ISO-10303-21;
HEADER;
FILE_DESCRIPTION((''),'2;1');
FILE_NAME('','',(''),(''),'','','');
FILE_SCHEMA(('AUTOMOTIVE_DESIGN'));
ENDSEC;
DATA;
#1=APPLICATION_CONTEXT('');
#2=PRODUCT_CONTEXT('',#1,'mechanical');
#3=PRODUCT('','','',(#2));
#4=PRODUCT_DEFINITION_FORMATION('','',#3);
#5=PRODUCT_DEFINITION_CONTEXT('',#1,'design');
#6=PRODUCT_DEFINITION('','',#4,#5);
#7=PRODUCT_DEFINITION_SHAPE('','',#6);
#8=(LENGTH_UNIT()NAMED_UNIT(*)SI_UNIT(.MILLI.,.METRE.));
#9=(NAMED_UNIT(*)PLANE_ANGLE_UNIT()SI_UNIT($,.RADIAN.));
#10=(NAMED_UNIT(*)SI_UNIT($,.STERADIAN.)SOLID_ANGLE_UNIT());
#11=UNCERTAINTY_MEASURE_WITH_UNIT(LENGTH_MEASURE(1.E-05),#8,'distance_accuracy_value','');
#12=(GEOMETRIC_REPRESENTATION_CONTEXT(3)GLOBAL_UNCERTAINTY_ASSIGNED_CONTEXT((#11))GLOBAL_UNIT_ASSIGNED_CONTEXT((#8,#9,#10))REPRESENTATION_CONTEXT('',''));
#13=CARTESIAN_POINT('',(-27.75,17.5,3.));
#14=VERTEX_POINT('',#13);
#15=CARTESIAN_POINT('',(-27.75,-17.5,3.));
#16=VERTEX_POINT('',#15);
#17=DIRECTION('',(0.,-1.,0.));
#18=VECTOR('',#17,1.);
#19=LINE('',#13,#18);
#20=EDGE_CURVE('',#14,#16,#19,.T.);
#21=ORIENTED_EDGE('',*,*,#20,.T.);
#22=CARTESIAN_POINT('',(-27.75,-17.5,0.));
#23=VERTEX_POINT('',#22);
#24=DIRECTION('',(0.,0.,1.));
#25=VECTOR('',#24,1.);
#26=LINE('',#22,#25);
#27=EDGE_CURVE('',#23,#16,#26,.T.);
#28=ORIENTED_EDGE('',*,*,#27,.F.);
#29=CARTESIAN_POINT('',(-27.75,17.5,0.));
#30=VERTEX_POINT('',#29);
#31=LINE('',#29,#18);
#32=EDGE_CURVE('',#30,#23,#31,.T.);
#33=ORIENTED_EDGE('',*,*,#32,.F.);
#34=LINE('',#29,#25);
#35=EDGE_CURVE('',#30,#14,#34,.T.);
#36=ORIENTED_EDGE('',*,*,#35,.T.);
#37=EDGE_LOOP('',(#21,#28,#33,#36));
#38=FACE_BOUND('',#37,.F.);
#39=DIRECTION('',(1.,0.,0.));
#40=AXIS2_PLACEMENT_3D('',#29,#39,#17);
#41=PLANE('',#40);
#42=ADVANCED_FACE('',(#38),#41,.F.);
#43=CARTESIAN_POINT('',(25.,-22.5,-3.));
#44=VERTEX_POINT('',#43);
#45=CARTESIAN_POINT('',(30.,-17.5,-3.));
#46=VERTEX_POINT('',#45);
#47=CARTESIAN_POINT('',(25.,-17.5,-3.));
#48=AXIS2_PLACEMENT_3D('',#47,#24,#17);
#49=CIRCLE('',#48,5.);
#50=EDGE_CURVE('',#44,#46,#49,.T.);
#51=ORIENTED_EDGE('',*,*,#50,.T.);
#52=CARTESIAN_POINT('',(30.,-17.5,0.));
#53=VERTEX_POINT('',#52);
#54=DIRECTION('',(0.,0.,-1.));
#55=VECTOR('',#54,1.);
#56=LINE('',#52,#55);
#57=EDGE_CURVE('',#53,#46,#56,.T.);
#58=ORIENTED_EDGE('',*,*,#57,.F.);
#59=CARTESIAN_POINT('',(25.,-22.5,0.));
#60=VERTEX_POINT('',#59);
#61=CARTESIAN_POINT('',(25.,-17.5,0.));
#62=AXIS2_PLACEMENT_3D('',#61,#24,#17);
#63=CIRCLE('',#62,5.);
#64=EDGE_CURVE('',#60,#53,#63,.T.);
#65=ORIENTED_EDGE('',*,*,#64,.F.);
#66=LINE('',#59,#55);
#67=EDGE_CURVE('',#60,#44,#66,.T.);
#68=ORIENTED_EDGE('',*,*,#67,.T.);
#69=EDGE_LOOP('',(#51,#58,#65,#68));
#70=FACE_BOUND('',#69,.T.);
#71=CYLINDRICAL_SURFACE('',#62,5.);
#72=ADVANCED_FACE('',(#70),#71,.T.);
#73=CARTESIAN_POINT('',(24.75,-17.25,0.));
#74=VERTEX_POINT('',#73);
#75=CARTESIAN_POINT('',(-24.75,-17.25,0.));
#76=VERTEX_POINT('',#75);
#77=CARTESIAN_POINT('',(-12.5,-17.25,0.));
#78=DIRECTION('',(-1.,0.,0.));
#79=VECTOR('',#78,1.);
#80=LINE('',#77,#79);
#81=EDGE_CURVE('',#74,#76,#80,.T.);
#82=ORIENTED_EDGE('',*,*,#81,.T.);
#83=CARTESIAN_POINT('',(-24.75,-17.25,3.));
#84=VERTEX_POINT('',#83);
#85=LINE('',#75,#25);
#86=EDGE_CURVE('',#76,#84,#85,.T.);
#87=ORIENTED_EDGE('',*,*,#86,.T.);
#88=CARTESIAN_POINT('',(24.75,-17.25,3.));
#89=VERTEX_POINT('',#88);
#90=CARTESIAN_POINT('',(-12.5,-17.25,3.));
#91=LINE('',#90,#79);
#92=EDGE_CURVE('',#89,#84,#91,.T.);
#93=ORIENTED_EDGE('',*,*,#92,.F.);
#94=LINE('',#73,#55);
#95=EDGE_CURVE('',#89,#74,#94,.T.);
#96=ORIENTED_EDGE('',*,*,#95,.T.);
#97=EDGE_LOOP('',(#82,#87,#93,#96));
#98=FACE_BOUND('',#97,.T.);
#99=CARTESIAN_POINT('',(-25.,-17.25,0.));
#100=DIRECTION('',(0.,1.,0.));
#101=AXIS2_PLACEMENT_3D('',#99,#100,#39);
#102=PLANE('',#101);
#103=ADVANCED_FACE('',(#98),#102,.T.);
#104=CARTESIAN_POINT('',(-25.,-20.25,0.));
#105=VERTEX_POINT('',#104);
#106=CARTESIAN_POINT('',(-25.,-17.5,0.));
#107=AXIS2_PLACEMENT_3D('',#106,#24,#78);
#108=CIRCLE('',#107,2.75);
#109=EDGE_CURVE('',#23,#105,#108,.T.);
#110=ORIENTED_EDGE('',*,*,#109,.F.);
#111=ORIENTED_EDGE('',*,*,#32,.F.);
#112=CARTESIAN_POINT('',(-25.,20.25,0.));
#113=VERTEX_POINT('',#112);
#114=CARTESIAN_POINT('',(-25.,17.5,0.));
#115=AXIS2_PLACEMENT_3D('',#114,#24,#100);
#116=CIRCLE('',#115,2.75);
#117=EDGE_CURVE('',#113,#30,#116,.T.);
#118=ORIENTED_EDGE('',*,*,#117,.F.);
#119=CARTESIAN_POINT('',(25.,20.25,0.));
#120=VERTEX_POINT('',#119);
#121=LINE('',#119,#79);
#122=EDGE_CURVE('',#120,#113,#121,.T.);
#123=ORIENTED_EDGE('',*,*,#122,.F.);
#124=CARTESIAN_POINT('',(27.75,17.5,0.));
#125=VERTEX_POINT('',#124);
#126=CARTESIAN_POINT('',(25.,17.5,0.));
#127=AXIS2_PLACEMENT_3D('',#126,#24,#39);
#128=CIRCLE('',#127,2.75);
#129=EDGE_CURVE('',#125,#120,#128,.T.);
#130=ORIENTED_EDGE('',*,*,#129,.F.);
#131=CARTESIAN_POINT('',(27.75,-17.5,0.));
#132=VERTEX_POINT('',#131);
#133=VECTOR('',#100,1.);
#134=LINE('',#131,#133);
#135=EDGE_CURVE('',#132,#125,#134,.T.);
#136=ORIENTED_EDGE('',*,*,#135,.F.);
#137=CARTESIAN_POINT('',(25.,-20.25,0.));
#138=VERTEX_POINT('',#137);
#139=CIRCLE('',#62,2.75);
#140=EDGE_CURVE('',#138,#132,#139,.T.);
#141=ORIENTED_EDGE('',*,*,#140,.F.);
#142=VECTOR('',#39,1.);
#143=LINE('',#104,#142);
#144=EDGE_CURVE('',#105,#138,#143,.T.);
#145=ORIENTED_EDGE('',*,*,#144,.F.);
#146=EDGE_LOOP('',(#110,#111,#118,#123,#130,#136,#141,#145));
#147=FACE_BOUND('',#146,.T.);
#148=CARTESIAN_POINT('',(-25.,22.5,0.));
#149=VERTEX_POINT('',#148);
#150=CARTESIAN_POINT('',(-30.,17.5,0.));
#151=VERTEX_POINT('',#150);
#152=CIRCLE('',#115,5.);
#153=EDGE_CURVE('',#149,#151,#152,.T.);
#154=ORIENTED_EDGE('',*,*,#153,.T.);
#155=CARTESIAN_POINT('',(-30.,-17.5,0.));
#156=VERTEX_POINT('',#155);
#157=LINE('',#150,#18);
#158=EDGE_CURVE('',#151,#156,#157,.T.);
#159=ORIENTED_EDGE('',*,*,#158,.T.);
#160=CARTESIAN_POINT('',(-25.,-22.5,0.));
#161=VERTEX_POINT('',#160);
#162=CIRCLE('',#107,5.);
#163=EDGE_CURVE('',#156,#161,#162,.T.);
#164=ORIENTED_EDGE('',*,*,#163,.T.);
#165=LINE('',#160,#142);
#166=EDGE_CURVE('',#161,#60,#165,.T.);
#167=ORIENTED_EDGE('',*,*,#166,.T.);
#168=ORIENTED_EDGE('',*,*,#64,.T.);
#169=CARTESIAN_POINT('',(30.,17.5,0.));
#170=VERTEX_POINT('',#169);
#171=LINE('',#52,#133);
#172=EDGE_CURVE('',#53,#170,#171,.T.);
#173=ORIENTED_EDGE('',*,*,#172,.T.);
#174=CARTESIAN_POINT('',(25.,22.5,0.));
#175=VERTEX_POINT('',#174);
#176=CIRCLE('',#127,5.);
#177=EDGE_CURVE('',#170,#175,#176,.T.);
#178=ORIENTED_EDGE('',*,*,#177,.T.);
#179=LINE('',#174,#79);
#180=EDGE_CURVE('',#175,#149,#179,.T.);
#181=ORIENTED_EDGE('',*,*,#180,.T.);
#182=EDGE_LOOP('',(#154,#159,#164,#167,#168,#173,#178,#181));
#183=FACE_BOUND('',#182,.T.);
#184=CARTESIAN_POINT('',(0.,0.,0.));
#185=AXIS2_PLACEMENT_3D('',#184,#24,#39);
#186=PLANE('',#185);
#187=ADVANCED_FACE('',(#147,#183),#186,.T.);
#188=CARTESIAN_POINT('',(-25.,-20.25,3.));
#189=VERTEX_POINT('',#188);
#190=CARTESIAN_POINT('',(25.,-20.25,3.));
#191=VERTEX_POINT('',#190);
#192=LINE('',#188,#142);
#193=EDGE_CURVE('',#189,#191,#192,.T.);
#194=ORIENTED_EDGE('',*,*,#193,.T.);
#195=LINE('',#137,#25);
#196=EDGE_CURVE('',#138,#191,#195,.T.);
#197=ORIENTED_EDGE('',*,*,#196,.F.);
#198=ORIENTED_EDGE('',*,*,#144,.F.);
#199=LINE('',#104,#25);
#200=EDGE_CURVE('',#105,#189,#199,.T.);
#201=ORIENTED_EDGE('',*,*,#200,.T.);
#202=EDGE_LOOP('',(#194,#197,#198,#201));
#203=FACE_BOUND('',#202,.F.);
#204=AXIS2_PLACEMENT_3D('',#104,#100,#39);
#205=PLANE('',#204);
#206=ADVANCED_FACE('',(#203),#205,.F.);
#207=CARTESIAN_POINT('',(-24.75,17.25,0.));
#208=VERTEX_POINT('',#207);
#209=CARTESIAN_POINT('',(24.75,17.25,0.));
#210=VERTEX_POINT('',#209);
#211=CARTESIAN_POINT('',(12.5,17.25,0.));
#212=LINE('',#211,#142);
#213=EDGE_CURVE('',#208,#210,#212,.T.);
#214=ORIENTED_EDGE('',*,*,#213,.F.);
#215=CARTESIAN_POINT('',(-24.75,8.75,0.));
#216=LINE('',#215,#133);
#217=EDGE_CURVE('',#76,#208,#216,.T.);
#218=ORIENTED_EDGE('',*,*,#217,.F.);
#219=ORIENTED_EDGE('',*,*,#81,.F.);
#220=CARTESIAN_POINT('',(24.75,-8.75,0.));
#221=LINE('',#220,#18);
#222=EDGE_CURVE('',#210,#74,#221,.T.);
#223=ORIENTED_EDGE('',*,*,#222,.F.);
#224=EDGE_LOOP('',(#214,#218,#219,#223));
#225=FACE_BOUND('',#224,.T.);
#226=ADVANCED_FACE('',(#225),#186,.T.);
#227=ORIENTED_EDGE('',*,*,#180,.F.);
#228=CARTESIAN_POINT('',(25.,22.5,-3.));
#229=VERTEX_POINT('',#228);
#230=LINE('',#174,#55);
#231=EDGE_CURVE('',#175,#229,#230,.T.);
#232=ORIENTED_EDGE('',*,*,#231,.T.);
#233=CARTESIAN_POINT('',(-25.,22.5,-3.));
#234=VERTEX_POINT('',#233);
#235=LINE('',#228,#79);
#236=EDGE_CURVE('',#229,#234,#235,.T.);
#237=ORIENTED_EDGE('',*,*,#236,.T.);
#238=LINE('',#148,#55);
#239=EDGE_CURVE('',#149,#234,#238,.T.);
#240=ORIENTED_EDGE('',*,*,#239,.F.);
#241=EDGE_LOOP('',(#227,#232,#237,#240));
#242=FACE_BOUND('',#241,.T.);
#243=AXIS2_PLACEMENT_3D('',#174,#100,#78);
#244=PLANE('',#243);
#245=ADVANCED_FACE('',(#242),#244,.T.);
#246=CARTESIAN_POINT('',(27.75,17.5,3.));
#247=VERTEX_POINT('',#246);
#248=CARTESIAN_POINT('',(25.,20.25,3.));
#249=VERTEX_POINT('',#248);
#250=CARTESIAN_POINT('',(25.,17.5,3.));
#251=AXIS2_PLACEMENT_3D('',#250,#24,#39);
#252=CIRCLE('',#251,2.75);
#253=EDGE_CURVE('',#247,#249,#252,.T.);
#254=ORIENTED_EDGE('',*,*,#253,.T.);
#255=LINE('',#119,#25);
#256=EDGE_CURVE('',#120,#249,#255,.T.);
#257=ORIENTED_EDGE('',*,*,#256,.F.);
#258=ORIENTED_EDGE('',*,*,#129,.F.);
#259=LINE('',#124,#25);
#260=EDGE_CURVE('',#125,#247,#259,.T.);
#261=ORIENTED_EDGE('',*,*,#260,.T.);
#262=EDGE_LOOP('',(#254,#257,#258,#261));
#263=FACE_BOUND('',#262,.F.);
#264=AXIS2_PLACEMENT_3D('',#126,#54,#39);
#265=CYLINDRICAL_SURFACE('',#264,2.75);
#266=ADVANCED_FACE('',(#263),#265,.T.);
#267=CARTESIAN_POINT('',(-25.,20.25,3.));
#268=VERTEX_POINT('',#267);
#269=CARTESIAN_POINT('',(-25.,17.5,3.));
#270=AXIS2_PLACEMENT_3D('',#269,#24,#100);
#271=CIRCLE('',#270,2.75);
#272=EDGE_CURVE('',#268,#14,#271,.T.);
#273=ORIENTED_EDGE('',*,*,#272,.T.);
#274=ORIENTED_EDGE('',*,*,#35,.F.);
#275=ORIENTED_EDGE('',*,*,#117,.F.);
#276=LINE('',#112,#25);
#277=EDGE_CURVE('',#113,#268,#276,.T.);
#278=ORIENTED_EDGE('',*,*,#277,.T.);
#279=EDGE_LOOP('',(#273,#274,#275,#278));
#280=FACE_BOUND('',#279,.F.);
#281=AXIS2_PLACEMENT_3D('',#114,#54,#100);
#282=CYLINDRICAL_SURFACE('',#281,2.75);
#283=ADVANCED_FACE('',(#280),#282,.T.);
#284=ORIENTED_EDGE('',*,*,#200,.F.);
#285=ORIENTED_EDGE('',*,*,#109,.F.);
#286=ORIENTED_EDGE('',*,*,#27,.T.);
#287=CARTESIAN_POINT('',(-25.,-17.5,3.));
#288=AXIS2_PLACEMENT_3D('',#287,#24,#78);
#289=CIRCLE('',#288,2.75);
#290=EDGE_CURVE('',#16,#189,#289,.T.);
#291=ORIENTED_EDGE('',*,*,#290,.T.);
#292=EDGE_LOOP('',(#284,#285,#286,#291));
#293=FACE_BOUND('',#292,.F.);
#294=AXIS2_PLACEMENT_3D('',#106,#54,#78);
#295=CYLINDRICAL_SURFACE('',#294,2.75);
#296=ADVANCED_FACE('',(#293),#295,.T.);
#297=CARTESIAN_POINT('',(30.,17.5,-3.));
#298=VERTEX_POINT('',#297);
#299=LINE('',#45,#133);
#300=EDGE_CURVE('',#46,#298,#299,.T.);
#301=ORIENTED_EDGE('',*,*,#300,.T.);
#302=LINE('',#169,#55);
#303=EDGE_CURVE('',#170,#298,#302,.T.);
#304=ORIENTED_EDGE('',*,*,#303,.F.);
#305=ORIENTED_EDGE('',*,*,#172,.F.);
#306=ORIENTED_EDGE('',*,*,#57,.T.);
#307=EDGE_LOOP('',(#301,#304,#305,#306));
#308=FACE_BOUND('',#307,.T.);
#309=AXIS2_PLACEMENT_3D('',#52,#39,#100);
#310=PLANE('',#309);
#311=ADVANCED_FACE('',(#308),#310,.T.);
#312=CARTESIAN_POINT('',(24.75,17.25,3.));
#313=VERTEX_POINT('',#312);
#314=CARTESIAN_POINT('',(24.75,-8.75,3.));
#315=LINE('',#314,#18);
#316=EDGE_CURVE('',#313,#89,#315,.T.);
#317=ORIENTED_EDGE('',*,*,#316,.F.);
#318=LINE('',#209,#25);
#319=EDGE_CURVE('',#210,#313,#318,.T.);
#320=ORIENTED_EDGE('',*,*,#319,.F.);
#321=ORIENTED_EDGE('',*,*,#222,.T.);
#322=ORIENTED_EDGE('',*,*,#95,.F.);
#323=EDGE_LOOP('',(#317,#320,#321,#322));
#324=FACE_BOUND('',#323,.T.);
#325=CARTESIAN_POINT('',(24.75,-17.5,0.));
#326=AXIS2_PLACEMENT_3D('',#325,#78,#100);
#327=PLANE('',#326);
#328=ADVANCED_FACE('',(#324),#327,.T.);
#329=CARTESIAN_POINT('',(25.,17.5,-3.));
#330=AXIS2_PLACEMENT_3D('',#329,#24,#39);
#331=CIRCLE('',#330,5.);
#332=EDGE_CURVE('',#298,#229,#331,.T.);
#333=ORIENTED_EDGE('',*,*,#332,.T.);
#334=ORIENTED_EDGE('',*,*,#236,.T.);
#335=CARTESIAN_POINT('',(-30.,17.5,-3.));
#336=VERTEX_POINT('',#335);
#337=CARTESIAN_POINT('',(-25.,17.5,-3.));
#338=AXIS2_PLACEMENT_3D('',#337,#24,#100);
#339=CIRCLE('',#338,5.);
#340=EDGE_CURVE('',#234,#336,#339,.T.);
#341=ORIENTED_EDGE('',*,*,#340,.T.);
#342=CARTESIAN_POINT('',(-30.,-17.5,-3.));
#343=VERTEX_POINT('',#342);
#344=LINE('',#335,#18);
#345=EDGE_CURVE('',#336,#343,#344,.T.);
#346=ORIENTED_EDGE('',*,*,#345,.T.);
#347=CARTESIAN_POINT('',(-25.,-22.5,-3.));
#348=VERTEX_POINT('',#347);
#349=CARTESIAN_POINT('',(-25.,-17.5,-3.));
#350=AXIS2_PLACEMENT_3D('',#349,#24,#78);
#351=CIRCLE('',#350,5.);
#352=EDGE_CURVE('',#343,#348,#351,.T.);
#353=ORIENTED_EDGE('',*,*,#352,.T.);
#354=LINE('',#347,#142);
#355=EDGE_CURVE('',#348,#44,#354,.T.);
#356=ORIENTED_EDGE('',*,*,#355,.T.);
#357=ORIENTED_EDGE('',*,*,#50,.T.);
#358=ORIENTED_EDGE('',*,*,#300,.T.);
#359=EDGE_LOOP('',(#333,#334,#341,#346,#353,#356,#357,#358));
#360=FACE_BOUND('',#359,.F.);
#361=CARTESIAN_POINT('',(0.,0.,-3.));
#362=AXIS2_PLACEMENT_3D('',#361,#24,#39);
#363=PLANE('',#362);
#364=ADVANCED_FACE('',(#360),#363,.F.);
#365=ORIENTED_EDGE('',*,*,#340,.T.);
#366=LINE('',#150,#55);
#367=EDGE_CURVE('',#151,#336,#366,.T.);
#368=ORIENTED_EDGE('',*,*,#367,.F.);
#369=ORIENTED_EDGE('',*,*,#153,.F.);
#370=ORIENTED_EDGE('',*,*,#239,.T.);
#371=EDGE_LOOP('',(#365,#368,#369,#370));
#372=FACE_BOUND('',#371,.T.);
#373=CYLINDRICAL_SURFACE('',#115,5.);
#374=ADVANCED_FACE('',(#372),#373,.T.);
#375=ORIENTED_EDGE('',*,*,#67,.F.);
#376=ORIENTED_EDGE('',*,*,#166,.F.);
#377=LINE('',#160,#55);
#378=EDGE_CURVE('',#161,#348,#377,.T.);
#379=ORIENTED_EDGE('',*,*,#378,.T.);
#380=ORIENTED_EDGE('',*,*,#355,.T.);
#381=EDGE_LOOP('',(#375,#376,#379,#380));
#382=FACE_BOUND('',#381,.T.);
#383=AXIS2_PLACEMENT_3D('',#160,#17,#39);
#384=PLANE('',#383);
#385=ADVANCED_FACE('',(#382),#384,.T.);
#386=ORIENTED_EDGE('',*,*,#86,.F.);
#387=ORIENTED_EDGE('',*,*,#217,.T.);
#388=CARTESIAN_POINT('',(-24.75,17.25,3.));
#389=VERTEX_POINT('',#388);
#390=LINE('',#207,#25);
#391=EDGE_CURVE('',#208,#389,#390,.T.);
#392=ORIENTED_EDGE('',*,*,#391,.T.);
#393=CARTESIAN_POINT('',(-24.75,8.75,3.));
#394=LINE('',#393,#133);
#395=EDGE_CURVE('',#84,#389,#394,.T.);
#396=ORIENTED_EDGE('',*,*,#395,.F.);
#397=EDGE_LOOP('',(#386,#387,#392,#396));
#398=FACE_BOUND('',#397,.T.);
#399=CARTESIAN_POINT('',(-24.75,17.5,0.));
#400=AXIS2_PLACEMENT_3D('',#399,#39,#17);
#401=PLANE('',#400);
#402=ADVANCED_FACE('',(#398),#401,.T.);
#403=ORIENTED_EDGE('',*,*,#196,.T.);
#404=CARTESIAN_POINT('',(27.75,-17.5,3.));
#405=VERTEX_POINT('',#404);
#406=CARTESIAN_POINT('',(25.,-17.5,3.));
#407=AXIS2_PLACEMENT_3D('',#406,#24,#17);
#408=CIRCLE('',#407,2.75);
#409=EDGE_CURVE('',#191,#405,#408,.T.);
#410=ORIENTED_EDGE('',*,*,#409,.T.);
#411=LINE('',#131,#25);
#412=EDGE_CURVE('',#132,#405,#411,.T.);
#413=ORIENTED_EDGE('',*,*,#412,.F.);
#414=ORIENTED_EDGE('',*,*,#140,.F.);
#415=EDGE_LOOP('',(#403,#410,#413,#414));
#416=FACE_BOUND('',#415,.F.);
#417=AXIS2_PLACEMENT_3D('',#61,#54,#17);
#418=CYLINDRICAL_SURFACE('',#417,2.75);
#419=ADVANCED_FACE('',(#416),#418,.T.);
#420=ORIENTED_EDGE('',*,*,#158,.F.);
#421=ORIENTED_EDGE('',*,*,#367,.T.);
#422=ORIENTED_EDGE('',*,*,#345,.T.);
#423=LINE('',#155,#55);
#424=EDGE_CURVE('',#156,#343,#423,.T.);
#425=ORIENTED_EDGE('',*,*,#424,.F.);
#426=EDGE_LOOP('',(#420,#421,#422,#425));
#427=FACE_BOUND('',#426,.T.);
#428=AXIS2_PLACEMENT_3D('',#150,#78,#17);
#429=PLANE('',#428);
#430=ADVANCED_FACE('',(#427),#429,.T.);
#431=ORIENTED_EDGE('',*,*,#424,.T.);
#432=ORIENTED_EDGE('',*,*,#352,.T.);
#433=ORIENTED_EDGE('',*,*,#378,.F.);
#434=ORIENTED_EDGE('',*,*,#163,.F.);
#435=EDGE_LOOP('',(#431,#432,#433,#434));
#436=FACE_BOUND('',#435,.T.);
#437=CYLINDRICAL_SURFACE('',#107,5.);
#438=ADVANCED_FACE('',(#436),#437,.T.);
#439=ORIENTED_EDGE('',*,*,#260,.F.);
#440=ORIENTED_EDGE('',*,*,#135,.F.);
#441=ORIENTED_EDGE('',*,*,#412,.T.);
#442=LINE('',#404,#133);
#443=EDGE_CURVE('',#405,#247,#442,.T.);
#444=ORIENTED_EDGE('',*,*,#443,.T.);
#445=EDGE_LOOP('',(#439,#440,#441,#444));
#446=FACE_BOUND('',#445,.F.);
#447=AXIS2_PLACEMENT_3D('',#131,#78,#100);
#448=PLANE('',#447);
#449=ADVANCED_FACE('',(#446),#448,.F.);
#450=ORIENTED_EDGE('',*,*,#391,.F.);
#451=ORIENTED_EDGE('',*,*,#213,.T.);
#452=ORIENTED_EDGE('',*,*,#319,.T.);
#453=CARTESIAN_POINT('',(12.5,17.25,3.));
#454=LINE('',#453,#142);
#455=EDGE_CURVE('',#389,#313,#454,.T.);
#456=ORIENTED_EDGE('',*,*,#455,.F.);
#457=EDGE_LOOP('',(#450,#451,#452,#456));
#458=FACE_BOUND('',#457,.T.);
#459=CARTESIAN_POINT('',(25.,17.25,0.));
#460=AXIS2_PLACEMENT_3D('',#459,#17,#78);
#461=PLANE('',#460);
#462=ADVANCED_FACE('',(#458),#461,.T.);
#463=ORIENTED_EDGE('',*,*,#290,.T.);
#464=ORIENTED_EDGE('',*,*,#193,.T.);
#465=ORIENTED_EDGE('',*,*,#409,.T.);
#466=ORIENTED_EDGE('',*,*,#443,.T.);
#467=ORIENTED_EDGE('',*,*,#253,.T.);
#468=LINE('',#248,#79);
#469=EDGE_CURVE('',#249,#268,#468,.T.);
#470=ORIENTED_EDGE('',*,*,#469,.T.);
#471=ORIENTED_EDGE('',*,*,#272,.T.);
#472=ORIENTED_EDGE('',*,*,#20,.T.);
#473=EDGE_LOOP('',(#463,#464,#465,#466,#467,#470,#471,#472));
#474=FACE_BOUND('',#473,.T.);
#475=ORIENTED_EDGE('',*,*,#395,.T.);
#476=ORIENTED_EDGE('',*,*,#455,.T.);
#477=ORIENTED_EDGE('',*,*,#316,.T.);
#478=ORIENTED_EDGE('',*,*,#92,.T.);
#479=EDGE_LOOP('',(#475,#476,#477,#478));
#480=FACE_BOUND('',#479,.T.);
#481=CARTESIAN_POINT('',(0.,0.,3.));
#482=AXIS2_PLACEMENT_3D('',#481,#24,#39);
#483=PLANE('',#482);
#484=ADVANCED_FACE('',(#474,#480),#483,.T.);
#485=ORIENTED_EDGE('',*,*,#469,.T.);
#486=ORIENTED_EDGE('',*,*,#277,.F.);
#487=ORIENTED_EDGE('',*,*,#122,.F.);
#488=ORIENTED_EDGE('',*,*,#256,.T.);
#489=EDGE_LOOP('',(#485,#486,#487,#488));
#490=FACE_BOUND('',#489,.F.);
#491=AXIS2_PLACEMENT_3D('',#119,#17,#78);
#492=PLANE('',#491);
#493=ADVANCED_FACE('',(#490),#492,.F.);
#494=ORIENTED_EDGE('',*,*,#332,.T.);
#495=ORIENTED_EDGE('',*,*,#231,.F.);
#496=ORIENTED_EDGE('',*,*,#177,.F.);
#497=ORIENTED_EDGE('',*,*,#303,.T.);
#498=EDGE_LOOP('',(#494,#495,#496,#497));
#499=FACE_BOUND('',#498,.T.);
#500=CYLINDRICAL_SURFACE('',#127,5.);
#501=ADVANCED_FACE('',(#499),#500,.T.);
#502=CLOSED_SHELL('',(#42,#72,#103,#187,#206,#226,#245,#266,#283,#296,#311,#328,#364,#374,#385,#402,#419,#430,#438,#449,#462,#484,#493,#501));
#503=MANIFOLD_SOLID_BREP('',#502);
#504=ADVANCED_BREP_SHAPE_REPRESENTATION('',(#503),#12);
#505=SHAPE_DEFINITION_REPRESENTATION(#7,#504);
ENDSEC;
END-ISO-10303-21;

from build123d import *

# Parameters (mm, degrees)
F1_DEPTH = 3
F3_DEPTH = 3
F4_T     = -3


with BuildPart() as f1:
    # F0 (on Top) → F1 (new body)
    with BuildSketch(Plane.XY):
        with BuildLine():
            Line((27.75, -17.5), (27.75, 17.5))
            ThreePointArc((27.75, 17.5), (26.9445436483, 19.4445436483), (25, 20.25))
            Line((25, 20.25), (-25, 20.25))
            ThreePointArc((-25, 20.25), (-26.9445436483, 19.4445436483), (-27.75, 17.5))
            Line((-27.75, 17.5), (-27.75, -17.5))
            ThreePointArc((-27.75, -17.5), (-26.9445436483, -19.4445436483), (-25, -20.25))
            Line((-25, -20.25), (25, -20.25))
            ThreePointArc((25, -20.25), (26.9445436483, -19.4445436483), (27.75, -17.5))
        make_face()
    extrude(amount=F1_DEPTH)

    # F2 (on Top) → F3 (join)
    with BuildSketch(Plane.XY):
        with BuildLine():
            Line((-25, -22.5), (10, -22.5))
            Line((10, -22.5), (25, -22.5))
            ThreePointArc((25, -22.5), (28.5355339059, -21.0355339059), (30, -17.5))
            Line((30, -17.5), (30, 17.5))
            ThreePointArc((30, 17.5), (28.5355339059, 21.0355339059), (25, 22.5))
            Line((25, 22.5), (-25, 22.5))
            ThreePointArc((-25, 22.5), (-28.5355339059, 21.0355339059), (-30, 17.5))
            Line((-30, 17.5), (-30, -17.5))
            ThreePointArc((-30, -17.5), (-28.5355339059, -21.0355339059), (-25, -22.5))
        make_face()
    extrude(amount=-F3_DEPTH)

    # F4
    f4_openings = [f1.faces().sort_by_distance(p)[0] for p in [
        (0, 0, 3),
    ]]
    offset(amount=F4_T, openings=f4_openings, kind=Kind.INTERSECTION)


solid = f1.part
